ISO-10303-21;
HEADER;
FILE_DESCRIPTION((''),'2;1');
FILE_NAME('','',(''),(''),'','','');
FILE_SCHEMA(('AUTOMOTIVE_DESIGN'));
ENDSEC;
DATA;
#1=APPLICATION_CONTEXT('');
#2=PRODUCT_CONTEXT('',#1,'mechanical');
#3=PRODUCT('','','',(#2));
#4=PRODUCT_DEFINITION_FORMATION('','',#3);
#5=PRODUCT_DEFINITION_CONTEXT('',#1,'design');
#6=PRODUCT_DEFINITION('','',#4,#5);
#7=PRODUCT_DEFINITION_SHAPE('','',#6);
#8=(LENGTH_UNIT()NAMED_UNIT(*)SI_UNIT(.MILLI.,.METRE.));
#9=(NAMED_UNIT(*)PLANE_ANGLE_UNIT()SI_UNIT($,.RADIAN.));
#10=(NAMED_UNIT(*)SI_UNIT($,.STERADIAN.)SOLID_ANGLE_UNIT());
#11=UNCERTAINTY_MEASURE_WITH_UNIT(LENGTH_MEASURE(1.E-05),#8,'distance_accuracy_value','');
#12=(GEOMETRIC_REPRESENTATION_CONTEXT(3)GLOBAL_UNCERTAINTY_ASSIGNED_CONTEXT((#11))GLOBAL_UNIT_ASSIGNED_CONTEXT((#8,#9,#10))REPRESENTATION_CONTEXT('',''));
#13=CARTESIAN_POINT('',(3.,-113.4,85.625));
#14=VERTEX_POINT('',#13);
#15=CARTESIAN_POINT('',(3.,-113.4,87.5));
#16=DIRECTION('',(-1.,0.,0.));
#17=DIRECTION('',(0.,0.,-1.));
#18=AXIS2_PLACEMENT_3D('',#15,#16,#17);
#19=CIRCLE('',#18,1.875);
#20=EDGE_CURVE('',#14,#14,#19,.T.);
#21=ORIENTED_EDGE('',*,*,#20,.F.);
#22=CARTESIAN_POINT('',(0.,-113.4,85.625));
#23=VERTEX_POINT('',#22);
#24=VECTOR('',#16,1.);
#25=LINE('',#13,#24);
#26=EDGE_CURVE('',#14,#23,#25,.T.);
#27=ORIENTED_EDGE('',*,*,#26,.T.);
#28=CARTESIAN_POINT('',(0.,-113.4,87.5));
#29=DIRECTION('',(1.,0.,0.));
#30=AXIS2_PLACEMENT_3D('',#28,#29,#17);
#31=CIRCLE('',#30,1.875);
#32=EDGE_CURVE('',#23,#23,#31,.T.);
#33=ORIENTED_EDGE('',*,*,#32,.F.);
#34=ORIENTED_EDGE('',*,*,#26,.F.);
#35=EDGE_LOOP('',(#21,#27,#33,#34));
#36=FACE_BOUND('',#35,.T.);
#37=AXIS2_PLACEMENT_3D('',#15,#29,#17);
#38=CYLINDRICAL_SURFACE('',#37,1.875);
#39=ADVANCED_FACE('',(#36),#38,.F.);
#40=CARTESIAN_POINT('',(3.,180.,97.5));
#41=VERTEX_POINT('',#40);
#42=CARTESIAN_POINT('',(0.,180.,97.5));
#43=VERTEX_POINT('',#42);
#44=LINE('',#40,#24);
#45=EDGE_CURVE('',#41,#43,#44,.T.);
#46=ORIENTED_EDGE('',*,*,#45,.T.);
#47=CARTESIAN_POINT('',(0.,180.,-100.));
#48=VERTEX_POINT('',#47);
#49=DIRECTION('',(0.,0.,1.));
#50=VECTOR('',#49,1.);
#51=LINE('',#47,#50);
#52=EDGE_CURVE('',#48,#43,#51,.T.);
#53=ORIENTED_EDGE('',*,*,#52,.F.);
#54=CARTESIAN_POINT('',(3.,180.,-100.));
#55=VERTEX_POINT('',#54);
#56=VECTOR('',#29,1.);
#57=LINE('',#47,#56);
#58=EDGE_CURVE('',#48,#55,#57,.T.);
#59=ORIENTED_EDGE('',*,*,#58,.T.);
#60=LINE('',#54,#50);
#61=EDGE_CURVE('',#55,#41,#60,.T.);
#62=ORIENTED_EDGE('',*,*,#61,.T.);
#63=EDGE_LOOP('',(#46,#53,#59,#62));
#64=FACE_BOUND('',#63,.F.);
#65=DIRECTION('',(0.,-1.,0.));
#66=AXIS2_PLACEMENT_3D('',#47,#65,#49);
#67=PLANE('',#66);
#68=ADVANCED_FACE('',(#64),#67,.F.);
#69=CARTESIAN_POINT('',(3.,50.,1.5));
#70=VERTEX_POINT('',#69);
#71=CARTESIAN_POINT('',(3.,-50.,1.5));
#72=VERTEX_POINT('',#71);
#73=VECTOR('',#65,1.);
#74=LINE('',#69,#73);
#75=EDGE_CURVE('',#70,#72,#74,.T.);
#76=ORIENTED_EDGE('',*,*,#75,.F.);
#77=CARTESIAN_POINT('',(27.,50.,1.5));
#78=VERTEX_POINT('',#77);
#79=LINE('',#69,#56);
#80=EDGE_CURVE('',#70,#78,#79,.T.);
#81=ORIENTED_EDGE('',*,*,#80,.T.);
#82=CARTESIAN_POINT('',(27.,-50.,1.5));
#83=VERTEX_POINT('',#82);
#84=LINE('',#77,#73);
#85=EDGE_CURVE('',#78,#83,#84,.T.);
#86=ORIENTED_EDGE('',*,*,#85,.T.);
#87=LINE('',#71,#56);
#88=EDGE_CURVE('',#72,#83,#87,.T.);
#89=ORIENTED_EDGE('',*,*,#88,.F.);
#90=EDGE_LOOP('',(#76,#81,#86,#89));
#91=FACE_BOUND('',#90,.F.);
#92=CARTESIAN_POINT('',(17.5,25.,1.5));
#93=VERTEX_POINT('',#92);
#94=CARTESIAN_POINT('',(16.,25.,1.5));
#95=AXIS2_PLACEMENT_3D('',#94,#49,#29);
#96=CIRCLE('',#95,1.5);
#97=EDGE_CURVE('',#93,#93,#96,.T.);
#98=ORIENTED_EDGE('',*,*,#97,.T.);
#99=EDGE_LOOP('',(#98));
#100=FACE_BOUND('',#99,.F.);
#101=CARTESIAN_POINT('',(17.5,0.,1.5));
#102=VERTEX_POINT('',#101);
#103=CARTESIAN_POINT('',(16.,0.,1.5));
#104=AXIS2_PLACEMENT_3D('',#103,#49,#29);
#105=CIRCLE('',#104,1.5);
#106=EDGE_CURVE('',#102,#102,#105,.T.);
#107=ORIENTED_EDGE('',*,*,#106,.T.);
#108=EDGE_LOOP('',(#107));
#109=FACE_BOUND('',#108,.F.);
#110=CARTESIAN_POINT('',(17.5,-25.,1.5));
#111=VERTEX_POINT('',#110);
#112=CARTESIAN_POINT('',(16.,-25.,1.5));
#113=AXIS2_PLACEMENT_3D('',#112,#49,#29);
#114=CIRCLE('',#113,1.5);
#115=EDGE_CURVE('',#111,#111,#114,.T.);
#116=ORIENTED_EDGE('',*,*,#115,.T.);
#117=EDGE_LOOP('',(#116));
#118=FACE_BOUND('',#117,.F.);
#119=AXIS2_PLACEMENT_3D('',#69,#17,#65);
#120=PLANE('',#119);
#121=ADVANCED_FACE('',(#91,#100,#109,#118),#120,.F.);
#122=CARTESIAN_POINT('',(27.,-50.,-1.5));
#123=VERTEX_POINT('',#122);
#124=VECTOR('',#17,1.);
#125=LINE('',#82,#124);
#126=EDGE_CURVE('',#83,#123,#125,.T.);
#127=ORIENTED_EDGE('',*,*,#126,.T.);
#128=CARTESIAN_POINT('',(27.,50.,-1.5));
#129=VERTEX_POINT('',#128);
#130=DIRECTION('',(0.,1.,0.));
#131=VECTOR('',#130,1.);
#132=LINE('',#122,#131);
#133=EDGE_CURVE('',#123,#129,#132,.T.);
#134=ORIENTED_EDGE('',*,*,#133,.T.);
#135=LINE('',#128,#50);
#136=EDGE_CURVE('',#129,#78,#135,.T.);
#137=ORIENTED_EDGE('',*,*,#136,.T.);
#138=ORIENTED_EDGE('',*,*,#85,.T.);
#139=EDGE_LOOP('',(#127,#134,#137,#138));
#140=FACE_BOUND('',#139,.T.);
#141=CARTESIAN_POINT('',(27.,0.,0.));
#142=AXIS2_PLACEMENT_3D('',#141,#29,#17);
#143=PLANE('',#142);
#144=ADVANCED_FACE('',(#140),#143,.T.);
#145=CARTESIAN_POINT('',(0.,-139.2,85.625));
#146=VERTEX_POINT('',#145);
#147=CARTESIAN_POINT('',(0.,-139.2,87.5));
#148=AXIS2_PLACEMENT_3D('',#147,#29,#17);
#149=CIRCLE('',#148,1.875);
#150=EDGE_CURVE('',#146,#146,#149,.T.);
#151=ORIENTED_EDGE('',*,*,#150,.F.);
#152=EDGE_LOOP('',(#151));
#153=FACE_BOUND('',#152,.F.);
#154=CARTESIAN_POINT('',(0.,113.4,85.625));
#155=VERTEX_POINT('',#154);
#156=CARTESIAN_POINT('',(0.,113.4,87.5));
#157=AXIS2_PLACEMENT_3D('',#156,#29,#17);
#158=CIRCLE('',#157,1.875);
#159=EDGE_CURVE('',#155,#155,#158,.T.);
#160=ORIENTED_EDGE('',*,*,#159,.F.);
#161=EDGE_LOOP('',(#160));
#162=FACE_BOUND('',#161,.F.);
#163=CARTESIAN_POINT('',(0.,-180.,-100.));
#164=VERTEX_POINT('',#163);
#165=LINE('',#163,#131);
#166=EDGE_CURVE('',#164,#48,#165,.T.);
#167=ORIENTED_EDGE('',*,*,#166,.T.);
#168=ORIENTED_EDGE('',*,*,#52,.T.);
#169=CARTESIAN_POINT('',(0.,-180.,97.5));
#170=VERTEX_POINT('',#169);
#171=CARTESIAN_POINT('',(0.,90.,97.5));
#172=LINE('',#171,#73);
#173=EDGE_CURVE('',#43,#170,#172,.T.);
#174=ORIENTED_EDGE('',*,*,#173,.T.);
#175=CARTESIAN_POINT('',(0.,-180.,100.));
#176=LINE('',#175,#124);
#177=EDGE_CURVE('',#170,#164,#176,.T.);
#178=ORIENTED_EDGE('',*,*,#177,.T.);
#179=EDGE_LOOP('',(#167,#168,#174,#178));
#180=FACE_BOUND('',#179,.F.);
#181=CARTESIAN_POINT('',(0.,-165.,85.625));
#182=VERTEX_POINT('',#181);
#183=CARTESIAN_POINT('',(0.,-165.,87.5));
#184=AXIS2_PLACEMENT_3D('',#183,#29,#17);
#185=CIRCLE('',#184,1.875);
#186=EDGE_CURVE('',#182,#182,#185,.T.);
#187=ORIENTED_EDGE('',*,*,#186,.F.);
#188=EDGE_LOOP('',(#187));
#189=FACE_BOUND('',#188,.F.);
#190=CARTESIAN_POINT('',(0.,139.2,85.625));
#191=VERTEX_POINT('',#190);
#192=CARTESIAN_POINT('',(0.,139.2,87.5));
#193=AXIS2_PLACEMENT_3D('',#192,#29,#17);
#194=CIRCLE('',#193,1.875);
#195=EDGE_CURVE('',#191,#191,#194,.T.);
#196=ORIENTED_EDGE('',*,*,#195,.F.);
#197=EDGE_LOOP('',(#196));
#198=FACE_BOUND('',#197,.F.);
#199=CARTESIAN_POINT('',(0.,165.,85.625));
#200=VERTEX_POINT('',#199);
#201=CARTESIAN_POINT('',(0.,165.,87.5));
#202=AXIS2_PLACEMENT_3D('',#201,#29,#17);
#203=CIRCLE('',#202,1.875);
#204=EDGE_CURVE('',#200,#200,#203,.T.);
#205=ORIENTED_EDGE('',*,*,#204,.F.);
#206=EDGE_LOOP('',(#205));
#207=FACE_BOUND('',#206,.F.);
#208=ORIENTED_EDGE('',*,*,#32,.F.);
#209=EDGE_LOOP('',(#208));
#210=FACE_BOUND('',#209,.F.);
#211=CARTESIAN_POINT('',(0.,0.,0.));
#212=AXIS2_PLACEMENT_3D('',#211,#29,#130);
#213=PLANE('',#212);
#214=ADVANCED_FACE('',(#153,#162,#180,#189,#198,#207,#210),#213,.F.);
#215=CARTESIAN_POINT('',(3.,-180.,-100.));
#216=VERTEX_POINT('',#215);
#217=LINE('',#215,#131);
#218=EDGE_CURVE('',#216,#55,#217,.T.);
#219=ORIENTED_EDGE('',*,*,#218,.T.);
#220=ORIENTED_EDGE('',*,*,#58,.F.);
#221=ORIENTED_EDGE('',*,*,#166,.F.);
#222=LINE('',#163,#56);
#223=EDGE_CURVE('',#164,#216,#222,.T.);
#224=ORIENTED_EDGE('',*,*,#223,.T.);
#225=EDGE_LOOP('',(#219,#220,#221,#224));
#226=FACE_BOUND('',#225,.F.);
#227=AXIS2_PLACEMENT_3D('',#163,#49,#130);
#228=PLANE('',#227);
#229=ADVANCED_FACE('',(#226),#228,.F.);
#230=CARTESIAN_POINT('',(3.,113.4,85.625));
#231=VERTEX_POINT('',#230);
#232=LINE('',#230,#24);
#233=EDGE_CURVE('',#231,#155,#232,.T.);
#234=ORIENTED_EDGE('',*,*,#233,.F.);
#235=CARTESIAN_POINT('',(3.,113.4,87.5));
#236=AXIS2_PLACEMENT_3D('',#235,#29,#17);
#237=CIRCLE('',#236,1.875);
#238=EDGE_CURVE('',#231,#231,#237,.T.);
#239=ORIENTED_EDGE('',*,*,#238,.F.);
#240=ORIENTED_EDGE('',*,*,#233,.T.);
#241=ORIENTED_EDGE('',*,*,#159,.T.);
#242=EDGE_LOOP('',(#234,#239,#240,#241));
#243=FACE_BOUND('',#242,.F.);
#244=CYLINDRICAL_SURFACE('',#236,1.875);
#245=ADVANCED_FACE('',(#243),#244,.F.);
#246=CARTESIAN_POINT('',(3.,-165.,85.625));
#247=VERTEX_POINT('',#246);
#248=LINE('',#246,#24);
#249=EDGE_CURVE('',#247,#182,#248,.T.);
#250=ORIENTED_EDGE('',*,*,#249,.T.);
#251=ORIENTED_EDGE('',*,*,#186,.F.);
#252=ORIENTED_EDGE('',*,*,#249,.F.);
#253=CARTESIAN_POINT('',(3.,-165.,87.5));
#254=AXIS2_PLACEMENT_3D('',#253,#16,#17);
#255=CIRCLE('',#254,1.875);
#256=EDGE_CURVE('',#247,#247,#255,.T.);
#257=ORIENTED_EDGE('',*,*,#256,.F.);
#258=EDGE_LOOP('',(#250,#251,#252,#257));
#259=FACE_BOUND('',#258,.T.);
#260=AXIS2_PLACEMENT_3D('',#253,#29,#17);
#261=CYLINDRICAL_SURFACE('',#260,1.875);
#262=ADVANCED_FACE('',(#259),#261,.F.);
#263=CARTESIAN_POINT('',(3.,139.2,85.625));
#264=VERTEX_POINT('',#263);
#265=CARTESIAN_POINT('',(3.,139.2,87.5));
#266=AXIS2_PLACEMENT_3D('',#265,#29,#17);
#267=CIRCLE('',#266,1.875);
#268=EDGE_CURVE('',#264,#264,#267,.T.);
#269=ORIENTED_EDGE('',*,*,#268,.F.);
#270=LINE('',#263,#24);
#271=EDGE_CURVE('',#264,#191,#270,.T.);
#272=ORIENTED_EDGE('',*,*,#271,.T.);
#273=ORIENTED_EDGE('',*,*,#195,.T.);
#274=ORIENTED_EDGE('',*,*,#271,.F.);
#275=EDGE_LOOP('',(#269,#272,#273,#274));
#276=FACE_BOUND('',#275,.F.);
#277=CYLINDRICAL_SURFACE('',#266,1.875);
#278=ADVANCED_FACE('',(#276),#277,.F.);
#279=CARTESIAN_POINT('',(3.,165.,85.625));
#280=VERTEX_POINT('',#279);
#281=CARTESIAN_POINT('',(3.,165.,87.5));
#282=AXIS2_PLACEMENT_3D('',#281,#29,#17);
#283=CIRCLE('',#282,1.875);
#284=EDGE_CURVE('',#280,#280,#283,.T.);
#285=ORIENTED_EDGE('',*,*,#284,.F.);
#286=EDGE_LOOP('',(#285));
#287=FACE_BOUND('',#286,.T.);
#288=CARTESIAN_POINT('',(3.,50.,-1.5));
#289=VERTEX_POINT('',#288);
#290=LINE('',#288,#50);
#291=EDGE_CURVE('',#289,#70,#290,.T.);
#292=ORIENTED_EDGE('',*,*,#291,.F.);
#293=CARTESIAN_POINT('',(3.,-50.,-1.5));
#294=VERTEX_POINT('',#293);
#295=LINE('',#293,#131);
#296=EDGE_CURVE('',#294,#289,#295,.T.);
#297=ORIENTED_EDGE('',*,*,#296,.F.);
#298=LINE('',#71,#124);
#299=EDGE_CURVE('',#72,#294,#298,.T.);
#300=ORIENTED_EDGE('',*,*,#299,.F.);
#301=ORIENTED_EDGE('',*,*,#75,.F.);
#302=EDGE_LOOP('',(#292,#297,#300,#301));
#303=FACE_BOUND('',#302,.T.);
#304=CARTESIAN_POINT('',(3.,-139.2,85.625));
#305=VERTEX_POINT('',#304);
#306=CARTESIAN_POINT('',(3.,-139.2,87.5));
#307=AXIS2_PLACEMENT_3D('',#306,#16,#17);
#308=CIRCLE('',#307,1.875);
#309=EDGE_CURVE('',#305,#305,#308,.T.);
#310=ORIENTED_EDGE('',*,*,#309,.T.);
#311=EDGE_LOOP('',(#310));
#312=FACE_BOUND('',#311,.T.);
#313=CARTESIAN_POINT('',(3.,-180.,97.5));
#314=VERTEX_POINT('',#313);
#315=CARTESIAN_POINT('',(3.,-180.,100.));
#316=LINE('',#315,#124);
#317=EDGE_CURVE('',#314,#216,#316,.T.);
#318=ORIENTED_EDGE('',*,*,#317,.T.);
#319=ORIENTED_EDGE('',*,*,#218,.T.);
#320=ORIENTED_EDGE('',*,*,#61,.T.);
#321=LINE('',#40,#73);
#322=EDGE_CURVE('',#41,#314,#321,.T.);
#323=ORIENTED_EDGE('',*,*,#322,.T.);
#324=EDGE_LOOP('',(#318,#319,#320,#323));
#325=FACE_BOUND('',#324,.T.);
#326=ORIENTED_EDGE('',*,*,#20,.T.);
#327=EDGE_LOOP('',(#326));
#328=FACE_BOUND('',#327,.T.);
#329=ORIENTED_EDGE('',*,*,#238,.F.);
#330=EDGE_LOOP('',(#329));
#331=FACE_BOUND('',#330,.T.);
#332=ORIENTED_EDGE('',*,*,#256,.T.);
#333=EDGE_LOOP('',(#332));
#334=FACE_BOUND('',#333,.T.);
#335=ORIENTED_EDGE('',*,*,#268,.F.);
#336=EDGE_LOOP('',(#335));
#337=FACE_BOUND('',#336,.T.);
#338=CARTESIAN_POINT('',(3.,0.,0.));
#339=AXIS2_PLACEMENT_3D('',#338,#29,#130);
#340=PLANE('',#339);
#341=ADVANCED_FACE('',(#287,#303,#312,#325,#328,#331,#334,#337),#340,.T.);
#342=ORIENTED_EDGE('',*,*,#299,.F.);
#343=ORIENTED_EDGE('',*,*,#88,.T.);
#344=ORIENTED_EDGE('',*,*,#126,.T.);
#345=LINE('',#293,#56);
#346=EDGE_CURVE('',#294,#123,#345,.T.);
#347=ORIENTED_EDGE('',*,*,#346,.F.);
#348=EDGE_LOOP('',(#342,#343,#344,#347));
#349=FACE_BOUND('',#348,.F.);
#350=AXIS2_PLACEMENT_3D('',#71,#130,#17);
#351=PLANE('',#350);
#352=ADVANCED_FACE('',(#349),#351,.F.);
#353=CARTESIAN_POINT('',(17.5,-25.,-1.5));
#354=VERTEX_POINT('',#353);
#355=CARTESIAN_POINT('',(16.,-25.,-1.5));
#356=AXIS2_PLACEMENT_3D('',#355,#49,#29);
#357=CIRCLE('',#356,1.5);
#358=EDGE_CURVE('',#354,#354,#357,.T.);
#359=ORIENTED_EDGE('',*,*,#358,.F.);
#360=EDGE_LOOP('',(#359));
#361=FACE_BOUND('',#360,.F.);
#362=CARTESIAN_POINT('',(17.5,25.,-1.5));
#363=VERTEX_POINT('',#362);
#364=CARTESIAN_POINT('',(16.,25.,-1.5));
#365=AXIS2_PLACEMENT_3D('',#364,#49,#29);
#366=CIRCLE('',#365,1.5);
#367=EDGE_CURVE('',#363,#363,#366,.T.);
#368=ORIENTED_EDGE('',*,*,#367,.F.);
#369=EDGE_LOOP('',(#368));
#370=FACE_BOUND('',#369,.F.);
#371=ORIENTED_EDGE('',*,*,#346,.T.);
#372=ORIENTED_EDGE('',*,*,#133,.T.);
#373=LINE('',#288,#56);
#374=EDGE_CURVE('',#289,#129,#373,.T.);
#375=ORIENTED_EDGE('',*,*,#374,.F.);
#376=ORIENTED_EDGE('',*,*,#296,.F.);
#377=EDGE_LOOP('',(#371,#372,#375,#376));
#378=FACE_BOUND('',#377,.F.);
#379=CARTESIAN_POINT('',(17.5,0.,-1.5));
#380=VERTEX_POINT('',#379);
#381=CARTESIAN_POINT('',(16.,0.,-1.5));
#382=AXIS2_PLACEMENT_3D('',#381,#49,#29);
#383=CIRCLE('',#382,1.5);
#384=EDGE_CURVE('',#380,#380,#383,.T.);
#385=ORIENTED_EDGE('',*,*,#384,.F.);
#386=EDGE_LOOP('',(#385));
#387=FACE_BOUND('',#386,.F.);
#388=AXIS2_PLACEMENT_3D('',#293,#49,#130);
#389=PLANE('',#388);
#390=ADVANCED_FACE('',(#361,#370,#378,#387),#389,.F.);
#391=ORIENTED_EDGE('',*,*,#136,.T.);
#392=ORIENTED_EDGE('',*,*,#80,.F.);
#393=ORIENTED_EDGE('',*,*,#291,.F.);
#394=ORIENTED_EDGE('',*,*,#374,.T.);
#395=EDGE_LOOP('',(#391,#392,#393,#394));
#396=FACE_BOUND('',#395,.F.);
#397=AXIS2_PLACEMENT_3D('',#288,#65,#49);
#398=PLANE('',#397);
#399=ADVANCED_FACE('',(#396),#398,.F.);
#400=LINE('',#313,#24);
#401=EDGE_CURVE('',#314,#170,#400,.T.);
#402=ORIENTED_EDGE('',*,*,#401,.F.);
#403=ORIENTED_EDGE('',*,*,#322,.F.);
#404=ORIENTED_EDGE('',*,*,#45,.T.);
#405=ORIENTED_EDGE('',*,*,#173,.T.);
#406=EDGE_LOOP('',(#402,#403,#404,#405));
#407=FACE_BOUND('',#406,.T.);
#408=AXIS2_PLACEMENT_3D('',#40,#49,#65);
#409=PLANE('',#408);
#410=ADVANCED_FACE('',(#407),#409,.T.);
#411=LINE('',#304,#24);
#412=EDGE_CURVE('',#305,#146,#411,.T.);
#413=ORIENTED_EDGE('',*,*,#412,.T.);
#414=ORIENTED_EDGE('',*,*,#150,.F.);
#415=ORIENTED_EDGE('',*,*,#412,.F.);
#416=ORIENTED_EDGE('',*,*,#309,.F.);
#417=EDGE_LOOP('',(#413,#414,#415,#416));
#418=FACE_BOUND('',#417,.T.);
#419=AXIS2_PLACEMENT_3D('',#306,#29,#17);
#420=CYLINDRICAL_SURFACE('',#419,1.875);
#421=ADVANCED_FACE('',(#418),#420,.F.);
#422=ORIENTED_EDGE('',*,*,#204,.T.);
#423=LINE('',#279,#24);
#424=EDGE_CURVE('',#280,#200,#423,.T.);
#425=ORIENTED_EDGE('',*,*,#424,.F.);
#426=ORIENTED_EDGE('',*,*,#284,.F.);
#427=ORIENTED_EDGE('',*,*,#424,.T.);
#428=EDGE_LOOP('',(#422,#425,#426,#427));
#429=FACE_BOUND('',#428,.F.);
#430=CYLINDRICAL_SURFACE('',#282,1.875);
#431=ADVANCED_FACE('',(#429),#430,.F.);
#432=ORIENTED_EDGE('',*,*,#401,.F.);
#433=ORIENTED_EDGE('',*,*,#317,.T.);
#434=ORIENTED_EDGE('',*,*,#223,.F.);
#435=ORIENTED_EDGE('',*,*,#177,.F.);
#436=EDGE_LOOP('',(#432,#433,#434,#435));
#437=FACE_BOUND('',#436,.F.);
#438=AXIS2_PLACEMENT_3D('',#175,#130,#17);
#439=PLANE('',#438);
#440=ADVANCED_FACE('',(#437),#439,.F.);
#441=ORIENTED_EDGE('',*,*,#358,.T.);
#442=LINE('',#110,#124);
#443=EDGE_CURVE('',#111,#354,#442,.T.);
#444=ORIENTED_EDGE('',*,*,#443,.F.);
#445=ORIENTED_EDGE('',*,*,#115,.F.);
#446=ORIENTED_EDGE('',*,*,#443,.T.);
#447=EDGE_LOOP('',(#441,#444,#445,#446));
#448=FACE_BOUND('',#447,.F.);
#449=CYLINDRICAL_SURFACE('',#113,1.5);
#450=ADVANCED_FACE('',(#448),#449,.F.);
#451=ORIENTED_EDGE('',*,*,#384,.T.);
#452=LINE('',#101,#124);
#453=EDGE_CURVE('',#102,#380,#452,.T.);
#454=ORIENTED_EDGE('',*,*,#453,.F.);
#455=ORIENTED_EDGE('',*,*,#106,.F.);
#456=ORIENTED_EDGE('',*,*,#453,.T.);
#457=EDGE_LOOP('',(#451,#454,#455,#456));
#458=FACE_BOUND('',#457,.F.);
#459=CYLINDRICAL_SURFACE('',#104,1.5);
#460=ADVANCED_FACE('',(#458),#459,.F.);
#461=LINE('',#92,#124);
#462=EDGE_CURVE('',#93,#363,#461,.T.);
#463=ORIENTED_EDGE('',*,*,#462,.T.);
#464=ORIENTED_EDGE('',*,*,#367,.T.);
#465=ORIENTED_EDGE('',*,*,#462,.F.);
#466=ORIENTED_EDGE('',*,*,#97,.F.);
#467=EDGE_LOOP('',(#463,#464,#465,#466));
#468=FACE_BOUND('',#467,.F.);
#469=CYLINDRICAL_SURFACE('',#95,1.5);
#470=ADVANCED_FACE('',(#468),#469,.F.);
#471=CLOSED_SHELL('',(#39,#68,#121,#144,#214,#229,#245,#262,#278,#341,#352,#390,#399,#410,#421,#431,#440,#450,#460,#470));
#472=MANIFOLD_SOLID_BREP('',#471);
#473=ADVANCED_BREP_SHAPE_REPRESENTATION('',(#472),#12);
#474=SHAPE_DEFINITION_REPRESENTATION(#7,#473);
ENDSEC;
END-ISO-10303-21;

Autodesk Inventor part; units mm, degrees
ref_plane "YZ Plane" through (0, 0, 0) normal (1, 0, 0) x (0, 1, 0)
ref_plane "XZ Plane" through (0, 0, 0) normal (0, 1, 0) x (-1, 0, 0)
ref_plane "XY Plane" through (0, 0, 0) normal (0, 0, 1) x (1, 0, 0)
sketch "Sketch1" plane through (0, 0, 0) normal (1, 0, 0) x (0, 1, 0)
  line L0 (180, 100) -> (-180, 100)
  line L1 (-180, 100) -> (-180, -100)
  line L2 (-180, -100) -> (180, -100)
  line L3 (180, -100) -> (180, 100)
  line L4 (180, 100) -> (-180, -100) construction
  line L5 (-180, 100) -> (180, -100) construction
  point P0 (0, 0)
  dimension "d0" = 360
  dimension "d1" = 200
extrude "Extrusion1" add sketch "Sketch1" along normal blind 3
sketch "Sketch7" plane through (3, 0, 0) normal (1, 0, 0) x (0, 0, -1)
  line L0 (1.5, 50) -> (-1.5, 50)
  line L1 (-1.5, 50) -> (-1.5, -50)
  line L2 (-1.5, -50) -> (1.5, -50)
  line L3 (1.5, -50) -> (1.5, 50)
  line L4 (1.5, 50) -> (-1.5, -50) construction
  line L5 (-1.5, 50) -> (1.5, -50) construction
  point P0 (0, 0)
  dimension "d69" = 3
  dimension "d70" = 100
extrude "Extrusion10" add sketch "Sketch7" along normal blind 24
sketch "Sketch8" plane through (3, -50, 1.5) normal (0, 0, 1) x (1, 0, 0)
  circle A0 centre (13, 75) radius 1.5
  circle A1 centre (13, 50) radius 1.5
  circle A2 centre (13, 25) radius 1.5
  line L0 (0, 100) -> (24, 100) projected
  line L1 (0, 0) -> (24, 0) projected
  line L2 (24, 100) -> (24, 0) projected
  line L3 (0, 230) -> (0, -130) projected
  point P0 (-3, 50)
  dimension "d73" = 3
  dimension "d74" = 3
  dimension "d75" = 3
  dimension "d76" = 25
  dimension "d77" = 25
  dimension "d78" = 25
  dimension "d87" = 25
  dimension "d88" = 11
  dimension "d89" = 11
  dimension "d90" = 11
extrude "Extrusion11" cut sketch "Sketch8" against normal blind 25 contours A0 | A1 | A2
sketch "Sketch9" plane through (3, 0, 0) normal (1, 0, 0) x (0, 0, -1)
  circle A0 centre (-87.5, 165) radius 1.875
  circle A1 centre (-87.5, 139.2) radius 1.875
  circle A2 centre (-87.5, 113.4) radius 1.875
  line L0 (100, 180) -> (-100, 180) projected
  line L1 (-100, 180) -> (-100, -180) projected
  point P0 (0, 0)
  dimension "d91" = 3.75
  dimension "d92" = 3.75
  dimension "d93" = 3.75
  dimension "d96" = 15
  dimension "d97" = 25.8
  dimension "d98" = 25.8
  dimension "d99" = 12.5
extrude "Extrusion12" cut sketch "Sketch9" against normal blind 10
mirror "Mirror2" about plane through (0, 0, 0) normal (0, 1, 0) of "Extrusion12"
sketch "Sketch10" plane through (3, 0, 0) normal (1, 0, 0) x (0, 0, -1)
  line L0 (100, 180) -> (-100, 180) projected
  line L1 (-100, 180) -> (-97.5, 180)
  line L2 (-97.5, 180) -> (-97.5, -180)
  line L3 (-100, -180) -> (100, -180) projected
  line L4 (-97.5, -180) -> (-100, -180)
  line L5 (-100, -180) -> (-100, 180)
  point P0 (0, 0)
  dimension "d102" = 2.5
  dimension "d103" = 90
extrude "Extrusion13" cut sketch "Sketch10" against normal blind 10
properties part number "leftside"
